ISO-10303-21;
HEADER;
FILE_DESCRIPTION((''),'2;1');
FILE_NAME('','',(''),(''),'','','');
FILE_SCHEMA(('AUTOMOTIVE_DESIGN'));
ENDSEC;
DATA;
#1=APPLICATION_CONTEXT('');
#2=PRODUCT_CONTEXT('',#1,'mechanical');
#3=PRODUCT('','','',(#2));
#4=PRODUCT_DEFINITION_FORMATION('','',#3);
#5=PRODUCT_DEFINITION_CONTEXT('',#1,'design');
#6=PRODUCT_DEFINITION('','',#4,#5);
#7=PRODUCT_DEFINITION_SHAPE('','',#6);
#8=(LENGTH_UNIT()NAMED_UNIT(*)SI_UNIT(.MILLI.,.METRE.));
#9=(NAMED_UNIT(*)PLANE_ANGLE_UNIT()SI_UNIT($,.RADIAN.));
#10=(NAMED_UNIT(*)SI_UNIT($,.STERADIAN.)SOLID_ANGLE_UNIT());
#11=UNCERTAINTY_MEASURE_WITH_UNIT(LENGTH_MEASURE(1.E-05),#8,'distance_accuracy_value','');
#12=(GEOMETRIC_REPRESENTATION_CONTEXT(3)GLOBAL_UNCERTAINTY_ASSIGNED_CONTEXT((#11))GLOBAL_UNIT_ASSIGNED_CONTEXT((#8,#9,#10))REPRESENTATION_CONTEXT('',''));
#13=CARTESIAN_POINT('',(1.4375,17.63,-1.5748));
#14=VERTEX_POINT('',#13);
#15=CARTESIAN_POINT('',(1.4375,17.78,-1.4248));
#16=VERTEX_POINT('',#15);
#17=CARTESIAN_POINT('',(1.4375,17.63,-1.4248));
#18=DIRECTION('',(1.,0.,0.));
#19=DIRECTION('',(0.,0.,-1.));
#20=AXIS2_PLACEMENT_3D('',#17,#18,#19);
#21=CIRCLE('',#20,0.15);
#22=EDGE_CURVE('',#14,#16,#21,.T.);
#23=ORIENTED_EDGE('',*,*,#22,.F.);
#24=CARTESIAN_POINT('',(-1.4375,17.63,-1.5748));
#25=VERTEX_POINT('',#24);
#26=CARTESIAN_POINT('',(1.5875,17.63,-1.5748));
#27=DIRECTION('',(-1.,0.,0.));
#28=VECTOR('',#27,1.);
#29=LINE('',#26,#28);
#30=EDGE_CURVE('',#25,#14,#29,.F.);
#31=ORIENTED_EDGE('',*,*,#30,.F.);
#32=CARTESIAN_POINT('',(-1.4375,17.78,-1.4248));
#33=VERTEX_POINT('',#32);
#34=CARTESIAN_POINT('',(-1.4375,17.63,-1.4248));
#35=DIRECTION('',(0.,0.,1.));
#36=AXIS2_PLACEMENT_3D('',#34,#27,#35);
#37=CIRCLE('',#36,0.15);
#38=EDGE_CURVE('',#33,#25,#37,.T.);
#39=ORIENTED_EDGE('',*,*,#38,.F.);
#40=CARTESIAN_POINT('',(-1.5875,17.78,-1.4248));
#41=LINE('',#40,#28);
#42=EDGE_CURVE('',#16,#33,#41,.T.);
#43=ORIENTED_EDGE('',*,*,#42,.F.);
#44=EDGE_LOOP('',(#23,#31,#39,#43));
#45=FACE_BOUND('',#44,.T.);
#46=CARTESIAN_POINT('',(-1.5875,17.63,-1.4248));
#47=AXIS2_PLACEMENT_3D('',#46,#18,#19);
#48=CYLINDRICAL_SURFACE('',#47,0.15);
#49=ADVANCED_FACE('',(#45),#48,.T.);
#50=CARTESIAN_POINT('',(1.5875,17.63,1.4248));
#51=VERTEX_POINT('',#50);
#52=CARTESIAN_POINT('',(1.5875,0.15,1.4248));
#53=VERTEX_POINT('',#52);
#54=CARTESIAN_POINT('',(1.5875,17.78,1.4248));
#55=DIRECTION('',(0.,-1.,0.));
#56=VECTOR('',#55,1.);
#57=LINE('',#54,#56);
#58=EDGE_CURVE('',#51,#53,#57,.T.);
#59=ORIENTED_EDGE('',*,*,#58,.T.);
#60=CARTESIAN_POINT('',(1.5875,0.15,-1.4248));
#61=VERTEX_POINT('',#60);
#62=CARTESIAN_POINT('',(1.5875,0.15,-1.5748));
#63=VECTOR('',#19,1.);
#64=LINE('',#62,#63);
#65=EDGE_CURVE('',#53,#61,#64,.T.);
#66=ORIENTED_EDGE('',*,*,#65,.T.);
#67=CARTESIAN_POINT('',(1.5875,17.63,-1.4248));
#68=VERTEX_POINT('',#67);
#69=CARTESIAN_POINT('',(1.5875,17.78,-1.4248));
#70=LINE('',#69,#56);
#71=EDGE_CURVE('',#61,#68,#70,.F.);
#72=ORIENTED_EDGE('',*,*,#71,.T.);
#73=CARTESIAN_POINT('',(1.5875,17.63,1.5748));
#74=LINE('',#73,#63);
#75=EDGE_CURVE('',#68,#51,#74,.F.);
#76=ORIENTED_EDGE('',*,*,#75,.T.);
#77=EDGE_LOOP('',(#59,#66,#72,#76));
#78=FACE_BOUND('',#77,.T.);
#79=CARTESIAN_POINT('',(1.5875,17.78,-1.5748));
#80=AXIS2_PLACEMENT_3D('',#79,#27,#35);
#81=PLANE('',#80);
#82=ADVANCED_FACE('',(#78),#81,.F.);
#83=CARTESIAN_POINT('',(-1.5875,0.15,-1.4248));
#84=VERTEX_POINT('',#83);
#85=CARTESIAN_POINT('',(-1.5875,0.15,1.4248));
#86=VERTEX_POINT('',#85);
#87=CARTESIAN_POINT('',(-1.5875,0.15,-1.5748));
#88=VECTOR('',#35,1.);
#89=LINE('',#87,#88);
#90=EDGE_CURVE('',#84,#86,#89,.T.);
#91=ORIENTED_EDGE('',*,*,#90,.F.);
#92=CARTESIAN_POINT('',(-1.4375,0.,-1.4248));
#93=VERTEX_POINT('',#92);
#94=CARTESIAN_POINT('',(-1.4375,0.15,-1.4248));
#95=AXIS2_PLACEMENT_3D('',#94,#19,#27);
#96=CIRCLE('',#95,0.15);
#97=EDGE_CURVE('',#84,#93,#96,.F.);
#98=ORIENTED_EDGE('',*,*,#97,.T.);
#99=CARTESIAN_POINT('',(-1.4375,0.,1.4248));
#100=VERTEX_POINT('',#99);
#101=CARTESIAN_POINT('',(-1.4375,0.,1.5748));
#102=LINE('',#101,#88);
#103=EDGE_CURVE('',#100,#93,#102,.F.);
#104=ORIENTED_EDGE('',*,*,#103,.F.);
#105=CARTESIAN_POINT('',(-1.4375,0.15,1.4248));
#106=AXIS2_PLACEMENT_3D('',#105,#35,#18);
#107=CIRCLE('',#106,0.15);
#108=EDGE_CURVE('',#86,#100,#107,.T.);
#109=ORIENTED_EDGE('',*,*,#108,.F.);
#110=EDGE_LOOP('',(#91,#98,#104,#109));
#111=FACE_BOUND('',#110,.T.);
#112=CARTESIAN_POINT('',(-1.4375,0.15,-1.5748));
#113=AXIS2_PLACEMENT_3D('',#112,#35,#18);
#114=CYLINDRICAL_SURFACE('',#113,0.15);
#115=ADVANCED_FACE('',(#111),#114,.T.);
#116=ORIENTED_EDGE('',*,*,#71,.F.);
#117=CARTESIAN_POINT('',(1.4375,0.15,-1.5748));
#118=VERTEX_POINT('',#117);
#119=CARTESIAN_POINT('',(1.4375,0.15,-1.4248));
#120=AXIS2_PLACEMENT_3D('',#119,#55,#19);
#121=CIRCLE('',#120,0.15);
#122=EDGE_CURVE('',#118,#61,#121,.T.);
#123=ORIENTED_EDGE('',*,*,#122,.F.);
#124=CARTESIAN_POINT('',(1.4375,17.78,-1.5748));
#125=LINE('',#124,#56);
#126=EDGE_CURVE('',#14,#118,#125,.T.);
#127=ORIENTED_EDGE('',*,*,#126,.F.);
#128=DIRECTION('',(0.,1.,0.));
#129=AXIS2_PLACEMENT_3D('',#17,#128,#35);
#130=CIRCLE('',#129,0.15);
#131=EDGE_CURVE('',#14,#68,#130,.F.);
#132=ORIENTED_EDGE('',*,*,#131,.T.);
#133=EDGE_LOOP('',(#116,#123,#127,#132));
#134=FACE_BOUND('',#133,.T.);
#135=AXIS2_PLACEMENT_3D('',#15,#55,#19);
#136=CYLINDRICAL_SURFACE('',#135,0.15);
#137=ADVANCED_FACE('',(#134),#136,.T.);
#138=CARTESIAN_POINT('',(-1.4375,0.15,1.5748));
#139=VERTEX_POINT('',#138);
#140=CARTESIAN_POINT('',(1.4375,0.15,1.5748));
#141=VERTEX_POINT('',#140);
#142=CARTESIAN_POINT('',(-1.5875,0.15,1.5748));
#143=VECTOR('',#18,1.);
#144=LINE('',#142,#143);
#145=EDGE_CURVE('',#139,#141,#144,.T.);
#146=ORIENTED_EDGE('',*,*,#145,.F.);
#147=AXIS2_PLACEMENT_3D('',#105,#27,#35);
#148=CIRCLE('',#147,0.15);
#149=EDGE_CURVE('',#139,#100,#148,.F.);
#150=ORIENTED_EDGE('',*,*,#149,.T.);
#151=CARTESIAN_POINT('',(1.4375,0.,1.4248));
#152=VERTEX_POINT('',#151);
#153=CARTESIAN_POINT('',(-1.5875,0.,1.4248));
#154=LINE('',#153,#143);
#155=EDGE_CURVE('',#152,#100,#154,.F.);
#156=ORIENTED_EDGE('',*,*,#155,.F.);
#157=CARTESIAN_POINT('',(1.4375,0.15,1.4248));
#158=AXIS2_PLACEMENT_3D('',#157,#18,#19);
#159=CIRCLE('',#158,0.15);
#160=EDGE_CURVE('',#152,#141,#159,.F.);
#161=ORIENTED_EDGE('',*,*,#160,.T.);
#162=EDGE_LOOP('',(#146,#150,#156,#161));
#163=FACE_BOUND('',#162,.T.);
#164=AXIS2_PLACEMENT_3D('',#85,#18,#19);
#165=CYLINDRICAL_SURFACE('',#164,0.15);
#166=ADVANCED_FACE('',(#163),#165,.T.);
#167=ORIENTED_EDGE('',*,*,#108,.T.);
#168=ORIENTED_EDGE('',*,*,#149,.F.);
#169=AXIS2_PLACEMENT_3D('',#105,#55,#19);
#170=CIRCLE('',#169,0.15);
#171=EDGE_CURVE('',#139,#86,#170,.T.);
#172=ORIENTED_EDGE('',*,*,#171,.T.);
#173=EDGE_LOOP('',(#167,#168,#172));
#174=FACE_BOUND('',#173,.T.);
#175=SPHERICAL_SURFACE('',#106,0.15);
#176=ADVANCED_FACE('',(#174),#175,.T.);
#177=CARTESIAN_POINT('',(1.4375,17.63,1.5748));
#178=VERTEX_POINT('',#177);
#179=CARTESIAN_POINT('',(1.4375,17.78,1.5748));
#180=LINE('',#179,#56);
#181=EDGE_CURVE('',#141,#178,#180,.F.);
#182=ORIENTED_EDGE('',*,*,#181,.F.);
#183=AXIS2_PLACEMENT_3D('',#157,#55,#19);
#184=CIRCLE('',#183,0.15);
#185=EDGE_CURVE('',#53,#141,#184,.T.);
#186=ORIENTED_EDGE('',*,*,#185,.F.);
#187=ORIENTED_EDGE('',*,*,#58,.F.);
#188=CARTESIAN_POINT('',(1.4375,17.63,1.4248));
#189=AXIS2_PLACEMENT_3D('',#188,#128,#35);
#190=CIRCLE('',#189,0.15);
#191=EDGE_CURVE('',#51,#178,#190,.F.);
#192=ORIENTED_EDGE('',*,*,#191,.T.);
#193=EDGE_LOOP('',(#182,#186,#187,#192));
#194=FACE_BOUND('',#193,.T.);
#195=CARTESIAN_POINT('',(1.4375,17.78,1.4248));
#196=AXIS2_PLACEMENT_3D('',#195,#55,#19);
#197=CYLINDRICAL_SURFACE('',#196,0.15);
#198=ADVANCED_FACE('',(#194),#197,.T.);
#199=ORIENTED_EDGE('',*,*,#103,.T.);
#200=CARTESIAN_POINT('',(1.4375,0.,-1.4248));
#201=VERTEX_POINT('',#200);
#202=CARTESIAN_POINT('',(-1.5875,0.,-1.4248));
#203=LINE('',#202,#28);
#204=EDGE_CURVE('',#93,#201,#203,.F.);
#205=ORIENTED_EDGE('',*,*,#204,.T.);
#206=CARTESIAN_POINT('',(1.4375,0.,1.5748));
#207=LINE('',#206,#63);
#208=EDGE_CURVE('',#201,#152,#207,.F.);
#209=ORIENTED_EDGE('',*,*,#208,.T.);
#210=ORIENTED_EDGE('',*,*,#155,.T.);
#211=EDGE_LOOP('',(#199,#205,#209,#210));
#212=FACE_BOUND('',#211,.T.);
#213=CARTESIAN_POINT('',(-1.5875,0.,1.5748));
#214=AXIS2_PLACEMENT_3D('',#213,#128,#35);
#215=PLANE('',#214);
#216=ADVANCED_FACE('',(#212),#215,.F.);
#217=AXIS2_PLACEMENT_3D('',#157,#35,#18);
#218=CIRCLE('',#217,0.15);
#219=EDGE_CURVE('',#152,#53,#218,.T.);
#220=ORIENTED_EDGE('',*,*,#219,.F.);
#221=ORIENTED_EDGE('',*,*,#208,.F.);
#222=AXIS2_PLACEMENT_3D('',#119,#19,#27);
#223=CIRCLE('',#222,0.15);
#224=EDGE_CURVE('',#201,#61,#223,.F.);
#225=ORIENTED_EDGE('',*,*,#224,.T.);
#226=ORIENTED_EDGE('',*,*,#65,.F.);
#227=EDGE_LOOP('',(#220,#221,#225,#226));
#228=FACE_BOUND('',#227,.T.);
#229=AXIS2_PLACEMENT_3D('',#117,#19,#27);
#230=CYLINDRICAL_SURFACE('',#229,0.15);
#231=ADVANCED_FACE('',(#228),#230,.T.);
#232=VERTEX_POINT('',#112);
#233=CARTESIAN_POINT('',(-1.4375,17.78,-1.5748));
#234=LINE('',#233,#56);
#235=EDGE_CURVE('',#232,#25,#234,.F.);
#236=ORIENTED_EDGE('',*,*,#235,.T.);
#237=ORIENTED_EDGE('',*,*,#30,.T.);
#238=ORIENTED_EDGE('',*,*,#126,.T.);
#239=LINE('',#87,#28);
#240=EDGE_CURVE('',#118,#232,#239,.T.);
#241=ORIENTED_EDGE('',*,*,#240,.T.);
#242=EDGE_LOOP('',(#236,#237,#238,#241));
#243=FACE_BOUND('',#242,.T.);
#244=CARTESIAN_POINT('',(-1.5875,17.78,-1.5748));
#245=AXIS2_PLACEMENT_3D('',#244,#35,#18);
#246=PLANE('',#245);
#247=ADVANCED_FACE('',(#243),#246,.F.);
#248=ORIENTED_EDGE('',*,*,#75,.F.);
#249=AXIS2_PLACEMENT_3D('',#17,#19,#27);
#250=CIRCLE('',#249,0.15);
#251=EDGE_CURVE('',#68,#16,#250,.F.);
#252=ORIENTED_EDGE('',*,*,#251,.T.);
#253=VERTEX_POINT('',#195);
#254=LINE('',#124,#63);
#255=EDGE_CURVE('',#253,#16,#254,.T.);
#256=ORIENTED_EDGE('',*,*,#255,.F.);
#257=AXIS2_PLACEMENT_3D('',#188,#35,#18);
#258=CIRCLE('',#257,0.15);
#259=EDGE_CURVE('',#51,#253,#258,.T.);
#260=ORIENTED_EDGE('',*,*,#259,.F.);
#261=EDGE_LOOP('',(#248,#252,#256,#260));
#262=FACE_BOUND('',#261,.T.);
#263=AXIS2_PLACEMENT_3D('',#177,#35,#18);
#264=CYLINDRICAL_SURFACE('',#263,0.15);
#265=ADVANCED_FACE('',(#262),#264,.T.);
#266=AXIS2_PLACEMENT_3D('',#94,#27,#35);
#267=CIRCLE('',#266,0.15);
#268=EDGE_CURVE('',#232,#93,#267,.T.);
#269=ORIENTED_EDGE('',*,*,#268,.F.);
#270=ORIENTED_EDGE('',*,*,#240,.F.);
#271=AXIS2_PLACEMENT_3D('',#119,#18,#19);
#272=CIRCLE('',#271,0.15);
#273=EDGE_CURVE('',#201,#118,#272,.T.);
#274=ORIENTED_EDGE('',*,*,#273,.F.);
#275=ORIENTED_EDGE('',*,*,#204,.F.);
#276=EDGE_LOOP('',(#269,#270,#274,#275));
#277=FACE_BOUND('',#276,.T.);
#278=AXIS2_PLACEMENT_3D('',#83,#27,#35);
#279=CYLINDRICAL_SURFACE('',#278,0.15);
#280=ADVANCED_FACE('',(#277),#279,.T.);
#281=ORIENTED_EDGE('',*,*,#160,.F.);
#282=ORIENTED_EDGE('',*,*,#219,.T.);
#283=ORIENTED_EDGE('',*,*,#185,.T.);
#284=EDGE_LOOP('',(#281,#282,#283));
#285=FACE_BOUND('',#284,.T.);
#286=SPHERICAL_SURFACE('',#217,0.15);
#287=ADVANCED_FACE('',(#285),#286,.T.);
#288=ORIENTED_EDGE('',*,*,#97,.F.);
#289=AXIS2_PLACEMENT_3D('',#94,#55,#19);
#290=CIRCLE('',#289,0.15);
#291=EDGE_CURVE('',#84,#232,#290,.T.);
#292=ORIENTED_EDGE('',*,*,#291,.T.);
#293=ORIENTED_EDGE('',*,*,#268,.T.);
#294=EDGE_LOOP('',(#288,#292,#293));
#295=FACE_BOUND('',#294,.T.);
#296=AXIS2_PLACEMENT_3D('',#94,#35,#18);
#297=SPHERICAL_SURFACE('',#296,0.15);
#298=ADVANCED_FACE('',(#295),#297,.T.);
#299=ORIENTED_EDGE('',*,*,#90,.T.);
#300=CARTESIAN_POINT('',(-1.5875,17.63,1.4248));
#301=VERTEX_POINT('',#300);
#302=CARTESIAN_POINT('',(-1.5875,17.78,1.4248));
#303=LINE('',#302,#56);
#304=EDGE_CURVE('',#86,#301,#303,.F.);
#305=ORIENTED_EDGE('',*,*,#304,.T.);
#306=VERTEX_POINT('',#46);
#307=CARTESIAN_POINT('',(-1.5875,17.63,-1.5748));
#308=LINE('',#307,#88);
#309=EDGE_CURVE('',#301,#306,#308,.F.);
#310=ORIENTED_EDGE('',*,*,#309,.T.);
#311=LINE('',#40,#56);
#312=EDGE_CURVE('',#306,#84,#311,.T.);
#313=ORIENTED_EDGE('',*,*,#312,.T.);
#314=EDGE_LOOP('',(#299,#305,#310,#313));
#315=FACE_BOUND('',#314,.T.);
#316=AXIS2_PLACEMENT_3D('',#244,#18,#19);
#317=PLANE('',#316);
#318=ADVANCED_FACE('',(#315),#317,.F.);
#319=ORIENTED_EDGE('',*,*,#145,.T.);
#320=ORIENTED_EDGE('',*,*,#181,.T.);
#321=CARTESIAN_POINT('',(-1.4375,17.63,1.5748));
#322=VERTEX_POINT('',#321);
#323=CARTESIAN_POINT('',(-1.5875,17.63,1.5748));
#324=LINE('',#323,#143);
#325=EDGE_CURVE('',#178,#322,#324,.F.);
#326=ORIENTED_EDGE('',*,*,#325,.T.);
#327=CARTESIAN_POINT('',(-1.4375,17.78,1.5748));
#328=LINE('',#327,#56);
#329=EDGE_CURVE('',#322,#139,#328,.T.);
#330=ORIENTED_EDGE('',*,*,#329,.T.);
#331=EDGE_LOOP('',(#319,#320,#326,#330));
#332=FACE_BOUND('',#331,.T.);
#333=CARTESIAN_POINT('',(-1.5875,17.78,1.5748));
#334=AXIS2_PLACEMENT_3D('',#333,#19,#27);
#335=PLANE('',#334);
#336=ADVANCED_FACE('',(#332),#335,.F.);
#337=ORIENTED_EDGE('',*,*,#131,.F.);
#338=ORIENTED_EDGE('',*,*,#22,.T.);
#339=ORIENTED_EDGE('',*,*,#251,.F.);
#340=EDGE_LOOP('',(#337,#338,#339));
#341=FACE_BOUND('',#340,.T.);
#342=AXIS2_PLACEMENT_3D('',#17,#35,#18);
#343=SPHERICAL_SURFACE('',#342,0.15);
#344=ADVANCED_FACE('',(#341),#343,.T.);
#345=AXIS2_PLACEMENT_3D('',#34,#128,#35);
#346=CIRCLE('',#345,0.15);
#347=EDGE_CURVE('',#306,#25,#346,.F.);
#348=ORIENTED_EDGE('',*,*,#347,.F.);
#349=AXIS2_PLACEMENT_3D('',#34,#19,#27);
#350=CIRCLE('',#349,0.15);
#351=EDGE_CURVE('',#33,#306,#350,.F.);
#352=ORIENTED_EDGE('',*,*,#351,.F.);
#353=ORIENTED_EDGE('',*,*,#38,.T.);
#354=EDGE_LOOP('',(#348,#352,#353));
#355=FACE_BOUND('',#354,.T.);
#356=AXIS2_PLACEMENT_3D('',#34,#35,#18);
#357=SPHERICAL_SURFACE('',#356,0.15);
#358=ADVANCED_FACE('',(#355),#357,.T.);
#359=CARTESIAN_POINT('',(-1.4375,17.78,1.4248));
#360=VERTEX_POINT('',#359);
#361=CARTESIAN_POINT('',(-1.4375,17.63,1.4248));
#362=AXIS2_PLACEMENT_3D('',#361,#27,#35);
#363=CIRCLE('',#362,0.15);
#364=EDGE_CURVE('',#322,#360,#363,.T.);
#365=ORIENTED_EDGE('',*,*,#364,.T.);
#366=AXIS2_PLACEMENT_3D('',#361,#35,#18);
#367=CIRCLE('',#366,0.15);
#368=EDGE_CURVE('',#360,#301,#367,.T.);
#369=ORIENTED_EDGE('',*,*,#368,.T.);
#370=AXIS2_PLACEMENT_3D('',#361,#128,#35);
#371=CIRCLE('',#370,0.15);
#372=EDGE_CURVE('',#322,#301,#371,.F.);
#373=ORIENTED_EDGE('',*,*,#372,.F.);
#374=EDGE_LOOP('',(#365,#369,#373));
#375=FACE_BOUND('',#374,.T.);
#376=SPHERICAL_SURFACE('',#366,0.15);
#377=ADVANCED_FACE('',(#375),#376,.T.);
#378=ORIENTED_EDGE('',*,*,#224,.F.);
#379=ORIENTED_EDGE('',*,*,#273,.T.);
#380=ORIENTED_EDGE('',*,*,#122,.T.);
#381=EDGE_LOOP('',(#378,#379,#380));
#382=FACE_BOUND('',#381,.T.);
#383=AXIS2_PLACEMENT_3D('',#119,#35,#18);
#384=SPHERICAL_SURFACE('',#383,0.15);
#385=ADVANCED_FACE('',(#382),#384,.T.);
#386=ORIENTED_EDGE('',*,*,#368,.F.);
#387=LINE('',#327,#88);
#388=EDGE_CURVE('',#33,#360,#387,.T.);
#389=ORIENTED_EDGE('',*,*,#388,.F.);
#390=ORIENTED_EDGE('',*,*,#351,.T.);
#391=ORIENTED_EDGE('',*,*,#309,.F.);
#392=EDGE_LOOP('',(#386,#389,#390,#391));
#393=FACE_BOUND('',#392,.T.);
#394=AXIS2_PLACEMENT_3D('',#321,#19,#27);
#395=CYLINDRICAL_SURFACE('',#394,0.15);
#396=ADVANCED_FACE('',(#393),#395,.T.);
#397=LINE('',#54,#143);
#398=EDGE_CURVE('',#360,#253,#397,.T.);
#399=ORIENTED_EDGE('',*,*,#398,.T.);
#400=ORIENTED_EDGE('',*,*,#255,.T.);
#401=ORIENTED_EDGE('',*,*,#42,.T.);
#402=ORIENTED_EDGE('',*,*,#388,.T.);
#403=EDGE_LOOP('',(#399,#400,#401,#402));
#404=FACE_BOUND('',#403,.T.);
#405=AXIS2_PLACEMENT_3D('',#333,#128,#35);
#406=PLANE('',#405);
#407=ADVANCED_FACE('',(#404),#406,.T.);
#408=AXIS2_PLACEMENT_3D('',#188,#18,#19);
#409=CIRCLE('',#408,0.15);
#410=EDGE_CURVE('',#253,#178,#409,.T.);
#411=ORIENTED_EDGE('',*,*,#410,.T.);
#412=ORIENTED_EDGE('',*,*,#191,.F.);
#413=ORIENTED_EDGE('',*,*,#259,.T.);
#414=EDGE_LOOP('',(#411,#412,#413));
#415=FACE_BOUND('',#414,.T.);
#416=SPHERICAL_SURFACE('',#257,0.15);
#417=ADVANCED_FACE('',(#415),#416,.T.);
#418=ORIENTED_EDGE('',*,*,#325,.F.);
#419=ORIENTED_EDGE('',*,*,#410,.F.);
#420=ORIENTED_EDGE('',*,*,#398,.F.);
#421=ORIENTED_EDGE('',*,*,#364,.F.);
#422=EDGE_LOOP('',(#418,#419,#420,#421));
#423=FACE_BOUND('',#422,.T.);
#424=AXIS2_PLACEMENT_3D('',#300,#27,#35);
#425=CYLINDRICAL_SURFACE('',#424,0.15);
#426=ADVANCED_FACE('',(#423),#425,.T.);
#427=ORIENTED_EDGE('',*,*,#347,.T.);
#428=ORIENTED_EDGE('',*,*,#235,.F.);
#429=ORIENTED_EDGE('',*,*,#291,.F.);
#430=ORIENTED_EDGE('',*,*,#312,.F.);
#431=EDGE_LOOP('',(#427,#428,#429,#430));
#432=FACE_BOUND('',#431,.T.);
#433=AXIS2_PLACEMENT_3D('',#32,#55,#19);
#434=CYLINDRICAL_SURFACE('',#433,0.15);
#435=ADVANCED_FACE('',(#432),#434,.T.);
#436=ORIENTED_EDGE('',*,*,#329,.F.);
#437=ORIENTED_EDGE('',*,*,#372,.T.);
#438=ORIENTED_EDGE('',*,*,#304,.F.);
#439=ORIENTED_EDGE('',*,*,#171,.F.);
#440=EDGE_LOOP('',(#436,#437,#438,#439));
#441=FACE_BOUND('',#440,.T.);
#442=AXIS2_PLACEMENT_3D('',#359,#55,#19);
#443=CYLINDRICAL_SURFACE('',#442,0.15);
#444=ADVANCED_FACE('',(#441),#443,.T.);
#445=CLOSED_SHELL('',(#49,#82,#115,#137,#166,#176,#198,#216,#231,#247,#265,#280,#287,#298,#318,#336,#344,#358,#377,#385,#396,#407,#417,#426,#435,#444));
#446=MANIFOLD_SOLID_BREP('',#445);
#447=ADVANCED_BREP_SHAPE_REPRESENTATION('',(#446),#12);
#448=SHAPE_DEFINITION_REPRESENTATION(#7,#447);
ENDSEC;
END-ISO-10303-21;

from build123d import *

# Parameters (mm, degrees)
SKETCH1_W      = 3.175
SKETCH1_H      = 3.1496
EXTRUDE1_DEPTH = 17.78
FILLET1_R      = 0.15


with BuildPart() as part:
    # Sketch1 → Extrude1 (new body)
    with BuildSketch(Plane(origin=(0, 0, 0), x_dir=(1, 0, 0), z_dir=(0, 1, 0))):
        Rectangle(SKETCH1_W, SKETCH1_H)
    extrude(amount=EXTRUDE1_DEPTH)

    # Fillet1
    fillet1_edges = [part.edges().sort_by_distance(p)[0] for p in [
        (1.5875, 17.78, 0),
        (0, 17.78, -1.5748),
        (-1.5875, 17.78, 0),
        (0, 0, -1.5748),
        (1.5875, 0, 0),
        (0, 0, 1.5748),
        (-1.5875, 0, 0),
        (0, 17.78, 1.5748),
        (-1.5875, 8.89, -1.5748),
        (1.5875, 8.89, -1.5748),
        (1.5875, 8.89, 1.5748),
        (-1.5875, 8.89, 1.5748),
    ]]
    fillet(fillet1_edges, radius=FILLET1_R)


solid = part.part
